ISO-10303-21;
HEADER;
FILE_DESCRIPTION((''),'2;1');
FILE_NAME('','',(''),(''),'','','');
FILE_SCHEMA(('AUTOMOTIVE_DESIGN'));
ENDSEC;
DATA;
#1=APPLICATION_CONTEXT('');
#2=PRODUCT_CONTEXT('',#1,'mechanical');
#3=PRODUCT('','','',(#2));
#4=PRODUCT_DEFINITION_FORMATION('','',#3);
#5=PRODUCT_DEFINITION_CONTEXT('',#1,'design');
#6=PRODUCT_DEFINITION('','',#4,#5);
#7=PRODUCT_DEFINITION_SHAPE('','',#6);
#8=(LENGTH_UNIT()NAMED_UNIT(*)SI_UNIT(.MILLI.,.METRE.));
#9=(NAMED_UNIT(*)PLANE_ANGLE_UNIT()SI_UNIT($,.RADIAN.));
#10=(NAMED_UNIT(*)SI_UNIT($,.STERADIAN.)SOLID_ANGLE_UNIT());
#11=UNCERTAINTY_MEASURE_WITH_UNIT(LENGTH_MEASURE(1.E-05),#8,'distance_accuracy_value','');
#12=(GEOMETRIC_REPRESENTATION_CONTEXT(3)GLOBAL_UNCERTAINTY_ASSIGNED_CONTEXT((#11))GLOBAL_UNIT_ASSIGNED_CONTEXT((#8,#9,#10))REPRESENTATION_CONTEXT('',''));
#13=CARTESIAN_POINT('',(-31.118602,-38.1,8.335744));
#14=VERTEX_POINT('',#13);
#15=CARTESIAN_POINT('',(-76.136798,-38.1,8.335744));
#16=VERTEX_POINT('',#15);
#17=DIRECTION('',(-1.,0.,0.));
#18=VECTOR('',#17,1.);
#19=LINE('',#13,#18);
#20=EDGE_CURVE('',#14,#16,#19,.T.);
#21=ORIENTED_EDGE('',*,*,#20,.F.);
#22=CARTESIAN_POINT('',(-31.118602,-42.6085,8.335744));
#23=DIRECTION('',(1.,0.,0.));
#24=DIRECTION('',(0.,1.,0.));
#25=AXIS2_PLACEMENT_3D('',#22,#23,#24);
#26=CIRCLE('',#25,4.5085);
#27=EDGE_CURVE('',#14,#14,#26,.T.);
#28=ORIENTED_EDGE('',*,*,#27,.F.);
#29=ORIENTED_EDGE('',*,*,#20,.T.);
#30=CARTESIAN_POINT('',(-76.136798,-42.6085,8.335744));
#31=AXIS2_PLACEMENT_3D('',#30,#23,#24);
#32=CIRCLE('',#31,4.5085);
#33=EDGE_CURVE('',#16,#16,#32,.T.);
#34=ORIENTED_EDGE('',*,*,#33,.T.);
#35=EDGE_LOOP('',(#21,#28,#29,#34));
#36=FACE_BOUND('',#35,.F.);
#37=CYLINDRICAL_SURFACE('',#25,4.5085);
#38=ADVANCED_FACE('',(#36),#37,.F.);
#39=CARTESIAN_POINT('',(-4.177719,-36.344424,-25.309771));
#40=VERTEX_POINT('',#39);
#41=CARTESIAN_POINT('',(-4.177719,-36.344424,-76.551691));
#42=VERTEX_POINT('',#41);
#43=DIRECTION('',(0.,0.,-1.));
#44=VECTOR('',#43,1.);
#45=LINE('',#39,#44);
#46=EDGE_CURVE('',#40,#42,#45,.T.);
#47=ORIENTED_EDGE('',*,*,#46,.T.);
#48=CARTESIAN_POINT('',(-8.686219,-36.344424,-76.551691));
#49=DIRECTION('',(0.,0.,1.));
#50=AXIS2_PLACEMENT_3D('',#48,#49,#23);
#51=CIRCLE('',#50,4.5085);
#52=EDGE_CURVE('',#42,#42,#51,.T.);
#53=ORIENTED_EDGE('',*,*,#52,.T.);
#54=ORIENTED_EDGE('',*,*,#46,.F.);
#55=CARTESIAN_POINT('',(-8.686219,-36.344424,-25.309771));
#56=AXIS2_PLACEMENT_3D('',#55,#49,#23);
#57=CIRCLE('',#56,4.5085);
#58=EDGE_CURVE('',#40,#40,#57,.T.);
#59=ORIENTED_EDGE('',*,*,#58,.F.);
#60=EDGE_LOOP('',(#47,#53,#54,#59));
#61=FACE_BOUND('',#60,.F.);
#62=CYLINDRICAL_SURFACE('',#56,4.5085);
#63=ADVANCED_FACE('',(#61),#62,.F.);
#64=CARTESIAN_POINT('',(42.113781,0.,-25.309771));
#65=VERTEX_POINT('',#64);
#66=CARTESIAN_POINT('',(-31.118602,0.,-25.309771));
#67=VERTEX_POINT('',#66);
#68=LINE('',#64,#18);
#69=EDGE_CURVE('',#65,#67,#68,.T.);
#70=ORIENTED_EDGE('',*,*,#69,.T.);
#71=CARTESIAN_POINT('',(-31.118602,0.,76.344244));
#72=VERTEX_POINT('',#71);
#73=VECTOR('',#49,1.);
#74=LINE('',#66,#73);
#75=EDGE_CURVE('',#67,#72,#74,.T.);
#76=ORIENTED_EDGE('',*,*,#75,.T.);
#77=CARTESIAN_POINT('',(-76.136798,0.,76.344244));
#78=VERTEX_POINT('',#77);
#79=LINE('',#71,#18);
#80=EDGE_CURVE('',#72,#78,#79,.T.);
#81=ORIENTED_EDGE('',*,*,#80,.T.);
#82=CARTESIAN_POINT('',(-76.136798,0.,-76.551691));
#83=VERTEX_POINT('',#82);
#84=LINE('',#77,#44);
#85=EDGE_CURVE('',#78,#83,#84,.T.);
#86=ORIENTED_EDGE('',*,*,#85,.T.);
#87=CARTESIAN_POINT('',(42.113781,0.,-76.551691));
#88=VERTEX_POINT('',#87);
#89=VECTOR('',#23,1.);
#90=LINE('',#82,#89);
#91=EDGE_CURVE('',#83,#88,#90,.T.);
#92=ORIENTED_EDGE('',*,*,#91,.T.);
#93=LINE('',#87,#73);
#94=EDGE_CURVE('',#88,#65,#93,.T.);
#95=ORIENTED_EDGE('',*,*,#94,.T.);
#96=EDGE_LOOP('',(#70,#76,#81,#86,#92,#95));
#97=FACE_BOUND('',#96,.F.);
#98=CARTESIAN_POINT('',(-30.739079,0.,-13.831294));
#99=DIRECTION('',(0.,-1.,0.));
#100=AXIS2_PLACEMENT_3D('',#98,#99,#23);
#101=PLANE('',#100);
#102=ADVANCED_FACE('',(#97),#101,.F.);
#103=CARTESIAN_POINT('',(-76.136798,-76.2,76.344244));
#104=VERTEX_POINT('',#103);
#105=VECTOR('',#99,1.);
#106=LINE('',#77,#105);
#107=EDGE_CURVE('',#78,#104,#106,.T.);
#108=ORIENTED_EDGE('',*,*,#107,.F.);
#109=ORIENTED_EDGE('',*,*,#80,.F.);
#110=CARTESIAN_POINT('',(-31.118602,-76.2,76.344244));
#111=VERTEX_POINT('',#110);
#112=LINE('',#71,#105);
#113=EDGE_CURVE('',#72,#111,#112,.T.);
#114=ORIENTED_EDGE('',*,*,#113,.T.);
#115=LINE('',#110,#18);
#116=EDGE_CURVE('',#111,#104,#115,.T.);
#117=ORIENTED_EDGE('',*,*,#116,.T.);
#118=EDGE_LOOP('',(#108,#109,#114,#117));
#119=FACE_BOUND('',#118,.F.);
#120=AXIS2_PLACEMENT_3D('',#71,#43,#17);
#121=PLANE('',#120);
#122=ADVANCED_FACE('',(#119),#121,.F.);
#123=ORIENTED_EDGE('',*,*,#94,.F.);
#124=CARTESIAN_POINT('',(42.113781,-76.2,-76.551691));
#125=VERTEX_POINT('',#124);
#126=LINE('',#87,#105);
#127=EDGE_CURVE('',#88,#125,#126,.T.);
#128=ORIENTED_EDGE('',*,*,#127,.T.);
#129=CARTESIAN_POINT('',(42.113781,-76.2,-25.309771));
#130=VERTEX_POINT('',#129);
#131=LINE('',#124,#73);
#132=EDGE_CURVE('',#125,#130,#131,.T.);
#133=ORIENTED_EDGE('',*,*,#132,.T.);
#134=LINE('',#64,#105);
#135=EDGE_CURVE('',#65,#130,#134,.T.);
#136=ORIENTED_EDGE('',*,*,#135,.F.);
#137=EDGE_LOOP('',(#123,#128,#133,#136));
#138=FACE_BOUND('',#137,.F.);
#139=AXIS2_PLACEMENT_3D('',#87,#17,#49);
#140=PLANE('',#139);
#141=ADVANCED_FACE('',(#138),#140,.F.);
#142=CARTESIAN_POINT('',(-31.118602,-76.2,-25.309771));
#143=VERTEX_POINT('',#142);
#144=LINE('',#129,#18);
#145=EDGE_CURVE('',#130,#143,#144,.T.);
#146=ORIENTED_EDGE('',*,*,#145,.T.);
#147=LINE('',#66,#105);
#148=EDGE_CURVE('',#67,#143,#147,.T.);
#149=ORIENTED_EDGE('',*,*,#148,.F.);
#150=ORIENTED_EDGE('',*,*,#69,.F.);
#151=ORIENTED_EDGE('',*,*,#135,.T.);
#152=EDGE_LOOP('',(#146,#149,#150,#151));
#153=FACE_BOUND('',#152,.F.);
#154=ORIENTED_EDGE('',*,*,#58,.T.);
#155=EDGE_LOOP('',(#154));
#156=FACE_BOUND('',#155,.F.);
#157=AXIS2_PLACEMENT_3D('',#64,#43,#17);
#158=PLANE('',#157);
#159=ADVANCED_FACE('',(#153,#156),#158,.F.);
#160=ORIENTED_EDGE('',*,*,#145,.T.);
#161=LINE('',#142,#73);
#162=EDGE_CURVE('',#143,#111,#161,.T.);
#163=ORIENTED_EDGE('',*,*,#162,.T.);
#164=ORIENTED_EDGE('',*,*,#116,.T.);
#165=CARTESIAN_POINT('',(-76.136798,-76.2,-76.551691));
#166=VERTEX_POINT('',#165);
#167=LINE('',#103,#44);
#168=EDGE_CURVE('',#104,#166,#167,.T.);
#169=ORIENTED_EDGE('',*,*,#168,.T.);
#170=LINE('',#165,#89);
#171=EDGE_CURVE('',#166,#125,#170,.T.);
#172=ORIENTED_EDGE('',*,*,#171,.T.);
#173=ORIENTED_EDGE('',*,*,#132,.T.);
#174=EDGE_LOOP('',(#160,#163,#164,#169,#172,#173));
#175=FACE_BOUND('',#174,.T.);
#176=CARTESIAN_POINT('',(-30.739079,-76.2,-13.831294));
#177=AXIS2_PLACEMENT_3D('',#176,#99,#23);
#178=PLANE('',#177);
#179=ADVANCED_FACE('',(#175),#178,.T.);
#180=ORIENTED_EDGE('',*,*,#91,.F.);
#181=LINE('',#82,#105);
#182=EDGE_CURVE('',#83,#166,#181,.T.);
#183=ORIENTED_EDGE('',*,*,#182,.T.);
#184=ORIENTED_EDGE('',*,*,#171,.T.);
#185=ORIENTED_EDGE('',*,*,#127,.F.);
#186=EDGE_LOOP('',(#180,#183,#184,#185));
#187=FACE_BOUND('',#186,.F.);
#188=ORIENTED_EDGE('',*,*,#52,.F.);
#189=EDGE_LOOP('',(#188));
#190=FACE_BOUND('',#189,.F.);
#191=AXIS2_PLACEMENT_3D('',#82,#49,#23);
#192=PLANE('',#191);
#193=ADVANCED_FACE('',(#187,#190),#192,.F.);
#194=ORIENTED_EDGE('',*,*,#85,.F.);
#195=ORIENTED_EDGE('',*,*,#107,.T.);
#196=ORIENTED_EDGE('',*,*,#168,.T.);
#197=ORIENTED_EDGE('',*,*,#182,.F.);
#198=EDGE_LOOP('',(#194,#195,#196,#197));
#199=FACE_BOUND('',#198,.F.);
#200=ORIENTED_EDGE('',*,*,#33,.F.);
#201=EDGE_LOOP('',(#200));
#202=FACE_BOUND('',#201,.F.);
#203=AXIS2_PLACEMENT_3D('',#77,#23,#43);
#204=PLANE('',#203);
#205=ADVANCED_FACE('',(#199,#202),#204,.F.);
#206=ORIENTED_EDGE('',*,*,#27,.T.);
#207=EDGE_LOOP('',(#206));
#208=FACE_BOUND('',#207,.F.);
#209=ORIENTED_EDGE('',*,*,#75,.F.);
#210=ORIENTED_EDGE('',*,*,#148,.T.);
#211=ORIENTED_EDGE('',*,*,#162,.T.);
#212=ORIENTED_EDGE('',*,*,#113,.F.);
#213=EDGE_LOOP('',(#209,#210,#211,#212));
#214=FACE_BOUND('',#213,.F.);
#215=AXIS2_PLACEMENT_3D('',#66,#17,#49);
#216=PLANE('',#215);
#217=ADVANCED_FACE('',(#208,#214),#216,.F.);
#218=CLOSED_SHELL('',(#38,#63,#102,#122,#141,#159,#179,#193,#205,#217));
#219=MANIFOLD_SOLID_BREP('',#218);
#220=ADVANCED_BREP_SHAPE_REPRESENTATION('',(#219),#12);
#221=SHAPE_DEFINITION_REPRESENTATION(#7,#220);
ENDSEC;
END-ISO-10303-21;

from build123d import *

# Parameters (mm, degrees)
F1_DEPTH = 76.2
F2_R     = 4.5085
F4_DEPTH = 76.2
F3_R     = 4.5085
F5_DEPTH = 76.2


with BuildPart() as f1:
    # F0 (on Front) → F1 (new body)
    with BuildSketch(Plane.XZ):
        Polygon((-31.118602, 76.344244), (-76.136798, 76.344244), (-76.136798, -25.309771), (-76.136798, -76.344237), (-76.136798, -76.551691), (42.113781, -76.551691), (42.113781, -25.309771), (-31.118602, -25.309771), align=None)
    extrude(amount=F1_DEPTH)

    # F2 (on face) → F4 (cut)
    with BuildSketch(Plane.XY.offset(-25.309771)):
        with Locations((-8.686219, -36.344424)):
            Circle(F2_R)
    extrude(amount=-F4_DEPTH, mode=Mode.SUBTRACT)

    # F3 (on face) → F5 (cut)
    with BuildSketch(Plane.YZ.offset(-31.118602)):
        with Locations((-42.6085, 8.335744)):
            Circle(F3_R)
    extrude(amount=-F5_DEPTH, mode=Mode.SUBTRACT)


solid = f1.part
